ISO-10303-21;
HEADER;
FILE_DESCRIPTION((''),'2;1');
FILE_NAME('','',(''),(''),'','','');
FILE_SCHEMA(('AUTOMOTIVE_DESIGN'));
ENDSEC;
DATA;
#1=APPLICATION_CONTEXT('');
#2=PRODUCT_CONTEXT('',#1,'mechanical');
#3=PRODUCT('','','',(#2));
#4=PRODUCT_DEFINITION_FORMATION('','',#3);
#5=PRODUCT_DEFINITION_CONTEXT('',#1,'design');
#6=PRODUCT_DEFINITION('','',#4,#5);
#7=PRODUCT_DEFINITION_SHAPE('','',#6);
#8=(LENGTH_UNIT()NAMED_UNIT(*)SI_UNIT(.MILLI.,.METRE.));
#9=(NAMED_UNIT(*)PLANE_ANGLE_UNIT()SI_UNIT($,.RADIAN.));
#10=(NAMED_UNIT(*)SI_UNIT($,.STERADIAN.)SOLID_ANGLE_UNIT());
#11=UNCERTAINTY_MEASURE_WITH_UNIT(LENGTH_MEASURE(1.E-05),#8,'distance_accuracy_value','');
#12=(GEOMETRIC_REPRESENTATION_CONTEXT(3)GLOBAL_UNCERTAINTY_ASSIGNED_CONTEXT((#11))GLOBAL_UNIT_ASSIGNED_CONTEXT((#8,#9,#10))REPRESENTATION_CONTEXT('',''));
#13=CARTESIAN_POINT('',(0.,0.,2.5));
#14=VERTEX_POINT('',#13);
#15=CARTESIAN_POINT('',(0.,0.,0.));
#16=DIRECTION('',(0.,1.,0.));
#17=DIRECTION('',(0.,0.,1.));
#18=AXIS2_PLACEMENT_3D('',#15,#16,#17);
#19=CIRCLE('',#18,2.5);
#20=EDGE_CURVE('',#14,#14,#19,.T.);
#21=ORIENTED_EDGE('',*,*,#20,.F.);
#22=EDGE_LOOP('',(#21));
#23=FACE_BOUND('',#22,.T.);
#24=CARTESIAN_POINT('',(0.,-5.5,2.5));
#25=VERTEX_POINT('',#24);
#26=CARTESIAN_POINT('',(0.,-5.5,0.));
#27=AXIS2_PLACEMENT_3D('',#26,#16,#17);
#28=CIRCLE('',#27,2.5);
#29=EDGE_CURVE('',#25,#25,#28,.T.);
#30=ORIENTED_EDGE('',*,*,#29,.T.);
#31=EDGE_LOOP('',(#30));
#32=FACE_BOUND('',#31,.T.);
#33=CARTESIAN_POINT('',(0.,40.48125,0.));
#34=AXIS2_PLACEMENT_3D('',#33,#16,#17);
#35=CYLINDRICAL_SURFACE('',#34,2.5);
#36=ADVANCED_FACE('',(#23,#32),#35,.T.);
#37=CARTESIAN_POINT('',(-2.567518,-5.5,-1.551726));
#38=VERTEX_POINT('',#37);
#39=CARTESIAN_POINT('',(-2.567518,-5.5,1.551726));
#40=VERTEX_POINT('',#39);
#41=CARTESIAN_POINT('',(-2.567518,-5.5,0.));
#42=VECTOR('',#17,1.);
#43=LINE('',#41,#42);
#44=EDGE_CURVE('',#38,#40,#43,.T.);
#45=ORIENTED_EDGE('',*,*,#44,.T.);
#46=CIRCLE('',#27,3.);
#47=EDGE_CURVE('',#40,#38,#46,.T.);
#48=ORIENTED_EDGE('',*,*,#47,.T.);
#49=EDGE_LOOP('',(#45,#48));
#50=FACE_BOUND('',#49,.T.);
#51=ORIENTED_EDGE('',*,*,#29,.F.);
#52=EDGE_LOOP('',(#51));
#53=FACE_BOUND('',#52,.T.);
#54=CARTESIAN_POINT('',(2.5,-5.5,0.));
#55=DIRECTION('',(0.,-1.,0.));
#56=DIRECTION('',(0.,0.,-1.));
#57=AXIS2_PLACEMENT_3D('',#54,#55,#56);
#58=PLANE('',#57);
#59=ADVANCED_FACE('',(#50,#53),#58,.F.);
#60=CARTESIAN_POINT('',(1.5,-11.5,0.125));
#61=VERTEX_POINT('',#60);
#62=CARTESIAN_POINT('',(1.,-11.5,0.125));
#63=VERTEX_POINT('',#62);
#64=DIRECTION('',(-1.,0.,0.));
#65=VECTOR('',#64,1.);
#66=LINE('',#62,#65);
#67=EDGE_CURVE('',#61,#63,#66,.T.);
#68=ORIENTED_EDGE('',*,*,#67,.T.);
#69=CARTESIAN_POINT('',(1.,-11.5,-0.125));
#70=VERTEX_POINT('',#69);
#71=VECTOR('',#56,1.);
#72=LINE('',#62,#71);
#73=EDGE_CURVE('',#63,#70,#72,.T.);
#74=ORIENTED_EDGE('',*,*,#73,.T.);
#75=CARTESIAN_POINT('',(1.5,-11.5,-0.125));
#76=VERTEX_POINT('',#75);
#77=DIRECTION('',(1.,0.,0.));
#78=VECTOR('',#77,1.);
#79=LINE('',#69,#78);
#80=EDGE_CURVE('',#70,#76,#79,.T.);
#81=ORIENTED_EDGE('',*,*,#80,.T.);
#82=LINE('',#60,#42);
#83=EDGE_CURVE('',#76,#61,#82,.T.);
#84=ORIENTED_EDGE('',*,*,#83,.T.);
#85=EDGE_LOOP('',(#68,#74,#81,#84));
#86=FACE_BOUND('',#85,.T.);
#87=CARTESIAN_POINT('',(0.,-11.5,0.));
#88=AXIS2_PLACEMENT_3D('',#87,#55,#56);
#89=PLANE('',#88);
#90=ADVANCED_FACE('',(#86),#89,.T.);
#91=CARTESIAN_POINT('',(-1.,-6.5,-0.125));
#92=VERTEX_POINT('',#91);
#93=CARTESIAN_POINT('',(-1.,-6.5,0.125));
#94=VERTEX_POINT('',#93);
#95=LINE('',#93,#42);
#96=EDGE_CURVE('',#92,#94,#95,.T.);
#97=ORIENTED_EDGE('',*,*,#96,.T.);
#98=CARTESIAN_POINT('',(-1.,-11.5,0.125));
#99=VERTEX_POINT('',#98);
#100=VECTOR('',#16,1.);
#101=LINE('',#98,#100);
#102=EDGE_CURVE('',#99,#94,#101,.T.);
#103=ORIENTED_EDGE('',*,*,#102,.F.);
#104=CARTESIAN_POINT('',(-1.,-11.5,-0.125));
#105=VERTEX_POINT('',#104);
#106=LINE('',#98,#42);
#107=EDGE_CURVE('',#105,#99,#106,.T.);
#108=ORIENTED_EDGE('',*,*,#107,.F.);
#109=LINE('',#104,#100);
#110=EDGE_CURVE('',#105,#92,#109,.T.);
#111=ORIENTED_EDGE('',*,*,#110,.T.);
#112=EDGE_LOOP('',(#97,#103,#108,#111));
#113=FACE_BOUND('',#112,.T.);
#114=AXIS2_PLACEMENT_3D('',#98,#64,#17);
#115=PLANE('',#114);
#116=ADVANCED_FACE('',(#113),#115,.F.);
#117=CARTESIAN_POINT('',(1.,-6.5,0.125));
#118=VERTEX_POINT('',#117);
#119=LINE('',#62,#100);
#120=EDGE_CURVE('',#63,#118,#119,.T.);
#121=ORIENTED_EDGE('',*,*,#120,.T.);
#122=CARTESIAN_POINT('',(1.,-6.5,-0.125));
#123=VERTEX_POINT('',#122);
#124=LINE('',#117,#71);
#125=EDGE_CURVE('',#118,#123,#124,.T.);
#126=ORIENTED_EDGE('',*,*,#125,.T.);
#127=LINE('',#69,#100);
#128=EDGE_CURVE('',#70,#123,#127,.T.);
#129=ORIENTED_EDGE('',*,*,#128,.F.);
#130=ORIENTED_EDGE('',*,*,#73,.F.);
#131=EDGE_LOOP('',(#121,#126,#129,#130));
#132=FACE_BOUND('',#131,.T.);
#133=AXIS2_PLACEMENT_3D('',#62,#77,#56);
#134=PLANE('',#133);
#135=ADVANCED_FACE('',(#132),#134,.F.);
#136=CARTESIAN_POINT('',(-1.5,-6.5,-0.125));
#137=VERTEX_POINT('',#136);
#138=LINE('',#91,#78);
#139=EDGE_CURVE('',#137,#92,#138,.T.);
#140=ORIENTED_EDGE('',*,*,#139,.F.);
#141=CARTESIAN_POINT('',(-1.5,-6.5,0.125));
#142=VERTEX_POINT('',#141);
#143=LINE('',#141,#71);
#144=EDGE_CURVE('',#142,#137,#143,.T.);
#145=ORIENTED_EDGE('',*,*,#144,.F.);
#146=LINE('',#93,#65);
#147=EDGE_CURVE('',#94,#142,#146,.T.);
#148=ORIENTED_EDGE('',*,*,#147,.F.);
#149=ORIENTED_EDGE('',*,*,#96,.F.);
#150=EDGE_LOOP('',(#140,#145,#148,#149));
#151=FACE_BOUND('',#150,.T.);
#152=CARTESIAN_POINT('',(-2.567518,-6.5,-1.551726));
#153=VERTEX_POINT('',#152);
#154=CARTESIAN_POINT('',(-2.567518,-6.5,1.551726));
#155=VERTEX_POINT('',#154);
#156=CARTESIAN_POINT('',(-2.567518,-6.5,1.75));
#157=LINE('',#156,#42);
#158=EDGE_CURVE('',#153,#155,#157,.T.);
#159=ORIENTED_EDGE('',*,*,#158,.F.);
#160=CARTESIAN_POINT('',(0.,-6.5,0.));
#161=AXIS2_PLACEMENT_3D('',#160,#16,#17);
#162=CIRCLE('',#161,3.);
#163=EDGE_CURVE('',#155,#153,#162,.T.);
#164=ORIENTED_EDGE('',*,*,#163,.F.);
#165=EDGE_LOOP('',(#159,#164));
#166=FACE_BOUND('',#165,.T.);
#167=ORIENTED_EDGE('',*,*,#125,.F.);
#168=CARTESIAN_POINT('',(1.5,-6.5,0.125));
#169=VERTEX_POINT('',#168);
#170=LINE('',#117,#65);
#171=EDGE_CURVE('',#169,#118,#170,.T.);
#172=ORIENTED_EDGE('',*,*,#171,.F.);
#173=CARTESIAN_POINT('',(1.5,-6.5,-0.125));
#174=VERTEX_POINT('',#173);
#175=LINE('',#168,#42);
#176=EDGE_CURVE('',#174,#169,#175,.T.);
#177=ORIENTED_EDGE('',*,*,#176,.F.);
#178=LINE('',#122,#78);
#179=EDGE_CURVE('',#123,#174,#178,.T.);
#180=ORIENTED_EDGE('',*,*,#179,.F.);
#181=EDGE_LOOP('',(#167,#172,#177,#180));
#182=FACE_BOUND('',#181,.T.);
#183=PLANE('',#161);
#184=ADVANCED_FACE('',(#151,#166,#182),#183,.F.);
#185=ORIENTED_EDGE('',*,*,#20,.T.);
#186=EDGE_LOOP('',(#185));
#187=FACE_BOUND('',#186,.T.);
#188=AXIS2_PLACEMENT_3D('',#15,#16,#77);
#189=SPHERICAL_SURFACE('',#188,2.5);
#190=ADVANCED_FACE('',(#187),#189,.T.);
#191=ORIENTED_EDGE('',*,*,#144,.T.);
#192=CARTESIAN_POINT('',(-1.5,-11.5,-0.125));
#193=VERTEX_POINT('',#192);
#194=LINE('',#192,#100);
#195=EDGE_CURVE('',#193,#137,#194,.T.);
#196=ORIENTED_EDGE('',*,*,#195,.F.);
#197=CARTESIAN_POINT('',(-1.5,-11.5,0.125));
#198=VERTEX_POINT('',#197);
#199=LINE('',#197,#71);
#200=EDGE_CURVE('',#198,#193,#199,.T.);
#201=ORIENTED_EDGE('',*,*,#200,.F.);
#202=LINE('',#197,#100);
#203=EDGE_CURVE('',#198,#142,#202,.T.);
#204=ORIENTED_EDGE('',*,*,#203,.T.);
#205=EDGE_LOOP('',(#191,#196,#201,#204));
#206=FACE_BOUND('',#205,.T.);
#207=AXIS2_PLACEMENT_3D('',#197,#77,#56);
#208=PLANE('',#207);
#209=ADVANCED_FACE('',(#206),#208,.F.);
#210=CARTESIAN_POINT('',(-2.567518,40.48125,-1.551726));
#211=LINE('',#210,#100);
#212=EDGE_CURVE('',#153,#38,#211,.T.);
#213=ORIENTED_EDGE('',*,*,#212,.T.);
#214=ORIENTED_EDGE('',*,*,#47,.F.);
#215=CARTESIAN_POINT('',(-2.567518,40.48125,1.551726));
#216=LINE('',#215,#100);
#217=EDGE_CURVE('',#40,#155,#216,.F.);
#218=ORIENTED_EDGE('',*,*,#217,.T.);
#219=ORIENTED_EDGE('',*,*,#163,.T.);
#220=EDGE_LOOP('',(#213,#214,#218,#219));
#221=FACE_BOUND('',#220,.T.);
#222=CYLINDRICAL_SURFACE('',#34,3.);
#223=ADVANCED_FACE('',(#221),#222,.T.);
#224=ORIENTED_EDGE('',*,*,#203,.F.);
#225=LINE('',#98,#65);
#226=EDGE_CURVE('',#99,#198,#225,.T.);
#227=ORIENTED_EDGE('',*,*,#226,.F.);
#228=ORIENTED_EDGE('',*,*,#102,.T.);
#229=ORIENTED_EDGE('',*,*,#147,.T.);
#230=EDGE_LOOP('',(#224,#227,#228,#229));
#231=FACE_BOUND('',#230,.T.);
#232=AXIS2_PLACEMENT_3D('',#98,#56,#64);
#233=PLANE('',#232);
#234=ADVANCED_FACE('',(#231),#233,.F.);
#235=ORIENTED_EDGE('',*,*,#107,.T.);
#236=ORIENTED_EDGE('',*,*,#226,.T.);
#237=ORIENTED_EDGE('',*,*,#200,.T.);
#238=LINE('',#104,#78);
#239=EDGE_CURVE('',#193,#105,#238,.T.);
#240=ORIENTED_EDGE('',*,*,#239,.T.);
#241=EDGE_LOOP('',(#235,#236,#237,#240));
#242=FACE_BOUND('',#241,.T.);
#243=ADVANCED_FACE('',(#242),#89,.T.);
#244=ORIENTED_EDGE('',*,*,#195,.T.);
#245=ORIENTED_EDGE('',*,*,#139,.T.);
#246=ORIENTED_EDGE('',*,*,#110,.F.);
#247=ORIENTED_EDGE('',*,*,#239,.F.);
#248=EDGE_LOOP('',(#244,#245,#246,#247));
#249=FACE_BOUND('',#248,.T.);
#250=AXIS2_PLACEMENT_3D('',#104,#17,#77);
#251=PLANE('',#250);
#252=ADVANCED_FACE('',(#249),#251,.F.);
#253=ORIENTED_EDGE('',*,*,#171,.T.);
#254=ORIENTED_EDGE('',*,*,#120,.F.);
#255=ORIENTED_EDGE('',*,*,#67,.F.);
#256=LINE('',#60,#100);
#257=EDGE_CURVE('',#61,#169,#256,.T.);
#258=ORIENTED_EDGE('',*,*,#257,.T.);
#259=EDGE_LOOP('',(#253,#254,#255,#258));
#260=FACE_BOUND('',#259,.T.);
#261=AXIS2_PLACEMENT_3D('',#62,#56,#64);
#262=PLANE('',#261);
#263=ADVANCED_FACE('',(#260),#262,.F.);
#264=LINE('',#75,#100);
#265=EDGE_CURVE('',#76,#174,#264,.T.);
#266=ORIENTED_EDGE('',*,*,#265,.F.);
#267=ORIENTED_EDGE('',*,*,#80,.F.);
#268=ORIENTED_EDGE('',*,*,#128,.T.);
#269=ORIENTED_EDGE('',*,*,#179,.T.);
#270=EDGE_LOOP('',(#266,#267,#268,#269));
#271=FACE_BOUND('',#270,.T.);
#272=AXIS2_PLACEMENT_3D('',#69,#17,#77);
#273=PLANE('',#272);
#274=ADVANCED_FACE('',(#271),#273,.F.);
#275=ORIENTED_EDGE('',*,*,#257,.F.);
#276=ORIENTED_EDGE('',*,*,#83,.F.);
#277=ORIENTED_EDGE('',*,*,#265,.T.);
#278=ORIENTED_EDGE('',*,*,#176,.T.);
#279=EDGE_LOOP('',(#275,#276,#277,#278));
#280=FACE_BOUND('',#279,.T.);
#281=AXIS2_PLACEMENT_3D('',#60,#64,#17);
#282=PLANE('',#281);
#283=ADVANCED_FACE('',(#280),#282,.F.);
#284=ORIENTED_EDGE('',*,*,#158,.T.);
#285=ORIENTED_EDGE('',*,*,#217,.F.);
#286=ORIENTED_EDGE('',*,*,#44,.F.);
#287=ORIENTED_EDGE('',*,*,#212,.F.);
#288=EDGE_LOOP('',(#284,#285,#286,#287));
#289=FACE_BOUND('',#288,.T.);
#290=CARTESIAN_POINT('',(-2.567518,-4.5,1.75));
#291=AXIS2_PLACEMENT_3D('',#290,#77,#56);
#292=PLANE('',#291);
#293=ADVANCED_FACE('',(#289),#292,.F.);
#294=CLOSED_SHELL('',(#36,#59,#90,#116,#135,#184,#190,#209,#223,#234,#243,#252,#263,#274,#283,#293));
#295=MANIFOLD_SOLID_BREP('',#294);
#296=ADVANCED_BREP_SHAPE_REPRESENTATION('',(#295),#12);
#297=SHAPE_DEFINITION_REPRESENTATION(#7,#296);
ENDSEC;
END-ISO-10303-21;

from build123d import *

# Parameters (mm, degrees)
SKETCH4_W       = 0.5
SKETCH4_H       = 3.5
EXTRUDE4_DEPTH  = 2
SKETCH2_W       = 0.5
SKETCH2_H       = 0.25
EXTRUDE_1_DEPTH = 5


with BuildPart() as part:
    # Sketch1 → Revolve1 (revolve)
    with BuildSketch(Plane.XY):
        with BuildLine():
            Line((0, 2.5), (0, -5.5))
            Line((0, -5.5), (0, -6.5))
            Line((0, -6.5), (3, -6.5))
            Line((3, -6.5), (3, -5.5))
            Line((3, -5.5), (2.5, -5.5))
            Line((2.5, -5.5), (2.5, 0))
            ThreePointArc((2.5, 0), (1.767766953, 1.767766953), (0, 2.5))
        make_face()
    revolve(axis=Axis((0, 40.48125, 0), (0, -1, 0)))

    # Sketch4 → Extrude4 (cut)
    with BuildSketch(Plane.XZ.offset(6.5)):
        with Locations((-2.817517664, 0)):
            Rectangle(SKETCH4_W, SKETCH4_H)
    extrude(amount=-EXTRUDE4_DEPTH, mode=Mode.SUBTRACT)

    # Sketch2 → 凸台-拉伸1 (add)
    with BuildSketch(Plane.XZ.offset(6.5)):
        with Locations((1.25, 0)):
            Rectangle(SKETCH2_W, SKETCH2_H)
        with Locations((-1.25, 0)):
            Rectangle(SKETCH2_W, SKETCH2_H)
    extrude(amount=EXTRUDE_1_DEPTH)


solid = part.part
